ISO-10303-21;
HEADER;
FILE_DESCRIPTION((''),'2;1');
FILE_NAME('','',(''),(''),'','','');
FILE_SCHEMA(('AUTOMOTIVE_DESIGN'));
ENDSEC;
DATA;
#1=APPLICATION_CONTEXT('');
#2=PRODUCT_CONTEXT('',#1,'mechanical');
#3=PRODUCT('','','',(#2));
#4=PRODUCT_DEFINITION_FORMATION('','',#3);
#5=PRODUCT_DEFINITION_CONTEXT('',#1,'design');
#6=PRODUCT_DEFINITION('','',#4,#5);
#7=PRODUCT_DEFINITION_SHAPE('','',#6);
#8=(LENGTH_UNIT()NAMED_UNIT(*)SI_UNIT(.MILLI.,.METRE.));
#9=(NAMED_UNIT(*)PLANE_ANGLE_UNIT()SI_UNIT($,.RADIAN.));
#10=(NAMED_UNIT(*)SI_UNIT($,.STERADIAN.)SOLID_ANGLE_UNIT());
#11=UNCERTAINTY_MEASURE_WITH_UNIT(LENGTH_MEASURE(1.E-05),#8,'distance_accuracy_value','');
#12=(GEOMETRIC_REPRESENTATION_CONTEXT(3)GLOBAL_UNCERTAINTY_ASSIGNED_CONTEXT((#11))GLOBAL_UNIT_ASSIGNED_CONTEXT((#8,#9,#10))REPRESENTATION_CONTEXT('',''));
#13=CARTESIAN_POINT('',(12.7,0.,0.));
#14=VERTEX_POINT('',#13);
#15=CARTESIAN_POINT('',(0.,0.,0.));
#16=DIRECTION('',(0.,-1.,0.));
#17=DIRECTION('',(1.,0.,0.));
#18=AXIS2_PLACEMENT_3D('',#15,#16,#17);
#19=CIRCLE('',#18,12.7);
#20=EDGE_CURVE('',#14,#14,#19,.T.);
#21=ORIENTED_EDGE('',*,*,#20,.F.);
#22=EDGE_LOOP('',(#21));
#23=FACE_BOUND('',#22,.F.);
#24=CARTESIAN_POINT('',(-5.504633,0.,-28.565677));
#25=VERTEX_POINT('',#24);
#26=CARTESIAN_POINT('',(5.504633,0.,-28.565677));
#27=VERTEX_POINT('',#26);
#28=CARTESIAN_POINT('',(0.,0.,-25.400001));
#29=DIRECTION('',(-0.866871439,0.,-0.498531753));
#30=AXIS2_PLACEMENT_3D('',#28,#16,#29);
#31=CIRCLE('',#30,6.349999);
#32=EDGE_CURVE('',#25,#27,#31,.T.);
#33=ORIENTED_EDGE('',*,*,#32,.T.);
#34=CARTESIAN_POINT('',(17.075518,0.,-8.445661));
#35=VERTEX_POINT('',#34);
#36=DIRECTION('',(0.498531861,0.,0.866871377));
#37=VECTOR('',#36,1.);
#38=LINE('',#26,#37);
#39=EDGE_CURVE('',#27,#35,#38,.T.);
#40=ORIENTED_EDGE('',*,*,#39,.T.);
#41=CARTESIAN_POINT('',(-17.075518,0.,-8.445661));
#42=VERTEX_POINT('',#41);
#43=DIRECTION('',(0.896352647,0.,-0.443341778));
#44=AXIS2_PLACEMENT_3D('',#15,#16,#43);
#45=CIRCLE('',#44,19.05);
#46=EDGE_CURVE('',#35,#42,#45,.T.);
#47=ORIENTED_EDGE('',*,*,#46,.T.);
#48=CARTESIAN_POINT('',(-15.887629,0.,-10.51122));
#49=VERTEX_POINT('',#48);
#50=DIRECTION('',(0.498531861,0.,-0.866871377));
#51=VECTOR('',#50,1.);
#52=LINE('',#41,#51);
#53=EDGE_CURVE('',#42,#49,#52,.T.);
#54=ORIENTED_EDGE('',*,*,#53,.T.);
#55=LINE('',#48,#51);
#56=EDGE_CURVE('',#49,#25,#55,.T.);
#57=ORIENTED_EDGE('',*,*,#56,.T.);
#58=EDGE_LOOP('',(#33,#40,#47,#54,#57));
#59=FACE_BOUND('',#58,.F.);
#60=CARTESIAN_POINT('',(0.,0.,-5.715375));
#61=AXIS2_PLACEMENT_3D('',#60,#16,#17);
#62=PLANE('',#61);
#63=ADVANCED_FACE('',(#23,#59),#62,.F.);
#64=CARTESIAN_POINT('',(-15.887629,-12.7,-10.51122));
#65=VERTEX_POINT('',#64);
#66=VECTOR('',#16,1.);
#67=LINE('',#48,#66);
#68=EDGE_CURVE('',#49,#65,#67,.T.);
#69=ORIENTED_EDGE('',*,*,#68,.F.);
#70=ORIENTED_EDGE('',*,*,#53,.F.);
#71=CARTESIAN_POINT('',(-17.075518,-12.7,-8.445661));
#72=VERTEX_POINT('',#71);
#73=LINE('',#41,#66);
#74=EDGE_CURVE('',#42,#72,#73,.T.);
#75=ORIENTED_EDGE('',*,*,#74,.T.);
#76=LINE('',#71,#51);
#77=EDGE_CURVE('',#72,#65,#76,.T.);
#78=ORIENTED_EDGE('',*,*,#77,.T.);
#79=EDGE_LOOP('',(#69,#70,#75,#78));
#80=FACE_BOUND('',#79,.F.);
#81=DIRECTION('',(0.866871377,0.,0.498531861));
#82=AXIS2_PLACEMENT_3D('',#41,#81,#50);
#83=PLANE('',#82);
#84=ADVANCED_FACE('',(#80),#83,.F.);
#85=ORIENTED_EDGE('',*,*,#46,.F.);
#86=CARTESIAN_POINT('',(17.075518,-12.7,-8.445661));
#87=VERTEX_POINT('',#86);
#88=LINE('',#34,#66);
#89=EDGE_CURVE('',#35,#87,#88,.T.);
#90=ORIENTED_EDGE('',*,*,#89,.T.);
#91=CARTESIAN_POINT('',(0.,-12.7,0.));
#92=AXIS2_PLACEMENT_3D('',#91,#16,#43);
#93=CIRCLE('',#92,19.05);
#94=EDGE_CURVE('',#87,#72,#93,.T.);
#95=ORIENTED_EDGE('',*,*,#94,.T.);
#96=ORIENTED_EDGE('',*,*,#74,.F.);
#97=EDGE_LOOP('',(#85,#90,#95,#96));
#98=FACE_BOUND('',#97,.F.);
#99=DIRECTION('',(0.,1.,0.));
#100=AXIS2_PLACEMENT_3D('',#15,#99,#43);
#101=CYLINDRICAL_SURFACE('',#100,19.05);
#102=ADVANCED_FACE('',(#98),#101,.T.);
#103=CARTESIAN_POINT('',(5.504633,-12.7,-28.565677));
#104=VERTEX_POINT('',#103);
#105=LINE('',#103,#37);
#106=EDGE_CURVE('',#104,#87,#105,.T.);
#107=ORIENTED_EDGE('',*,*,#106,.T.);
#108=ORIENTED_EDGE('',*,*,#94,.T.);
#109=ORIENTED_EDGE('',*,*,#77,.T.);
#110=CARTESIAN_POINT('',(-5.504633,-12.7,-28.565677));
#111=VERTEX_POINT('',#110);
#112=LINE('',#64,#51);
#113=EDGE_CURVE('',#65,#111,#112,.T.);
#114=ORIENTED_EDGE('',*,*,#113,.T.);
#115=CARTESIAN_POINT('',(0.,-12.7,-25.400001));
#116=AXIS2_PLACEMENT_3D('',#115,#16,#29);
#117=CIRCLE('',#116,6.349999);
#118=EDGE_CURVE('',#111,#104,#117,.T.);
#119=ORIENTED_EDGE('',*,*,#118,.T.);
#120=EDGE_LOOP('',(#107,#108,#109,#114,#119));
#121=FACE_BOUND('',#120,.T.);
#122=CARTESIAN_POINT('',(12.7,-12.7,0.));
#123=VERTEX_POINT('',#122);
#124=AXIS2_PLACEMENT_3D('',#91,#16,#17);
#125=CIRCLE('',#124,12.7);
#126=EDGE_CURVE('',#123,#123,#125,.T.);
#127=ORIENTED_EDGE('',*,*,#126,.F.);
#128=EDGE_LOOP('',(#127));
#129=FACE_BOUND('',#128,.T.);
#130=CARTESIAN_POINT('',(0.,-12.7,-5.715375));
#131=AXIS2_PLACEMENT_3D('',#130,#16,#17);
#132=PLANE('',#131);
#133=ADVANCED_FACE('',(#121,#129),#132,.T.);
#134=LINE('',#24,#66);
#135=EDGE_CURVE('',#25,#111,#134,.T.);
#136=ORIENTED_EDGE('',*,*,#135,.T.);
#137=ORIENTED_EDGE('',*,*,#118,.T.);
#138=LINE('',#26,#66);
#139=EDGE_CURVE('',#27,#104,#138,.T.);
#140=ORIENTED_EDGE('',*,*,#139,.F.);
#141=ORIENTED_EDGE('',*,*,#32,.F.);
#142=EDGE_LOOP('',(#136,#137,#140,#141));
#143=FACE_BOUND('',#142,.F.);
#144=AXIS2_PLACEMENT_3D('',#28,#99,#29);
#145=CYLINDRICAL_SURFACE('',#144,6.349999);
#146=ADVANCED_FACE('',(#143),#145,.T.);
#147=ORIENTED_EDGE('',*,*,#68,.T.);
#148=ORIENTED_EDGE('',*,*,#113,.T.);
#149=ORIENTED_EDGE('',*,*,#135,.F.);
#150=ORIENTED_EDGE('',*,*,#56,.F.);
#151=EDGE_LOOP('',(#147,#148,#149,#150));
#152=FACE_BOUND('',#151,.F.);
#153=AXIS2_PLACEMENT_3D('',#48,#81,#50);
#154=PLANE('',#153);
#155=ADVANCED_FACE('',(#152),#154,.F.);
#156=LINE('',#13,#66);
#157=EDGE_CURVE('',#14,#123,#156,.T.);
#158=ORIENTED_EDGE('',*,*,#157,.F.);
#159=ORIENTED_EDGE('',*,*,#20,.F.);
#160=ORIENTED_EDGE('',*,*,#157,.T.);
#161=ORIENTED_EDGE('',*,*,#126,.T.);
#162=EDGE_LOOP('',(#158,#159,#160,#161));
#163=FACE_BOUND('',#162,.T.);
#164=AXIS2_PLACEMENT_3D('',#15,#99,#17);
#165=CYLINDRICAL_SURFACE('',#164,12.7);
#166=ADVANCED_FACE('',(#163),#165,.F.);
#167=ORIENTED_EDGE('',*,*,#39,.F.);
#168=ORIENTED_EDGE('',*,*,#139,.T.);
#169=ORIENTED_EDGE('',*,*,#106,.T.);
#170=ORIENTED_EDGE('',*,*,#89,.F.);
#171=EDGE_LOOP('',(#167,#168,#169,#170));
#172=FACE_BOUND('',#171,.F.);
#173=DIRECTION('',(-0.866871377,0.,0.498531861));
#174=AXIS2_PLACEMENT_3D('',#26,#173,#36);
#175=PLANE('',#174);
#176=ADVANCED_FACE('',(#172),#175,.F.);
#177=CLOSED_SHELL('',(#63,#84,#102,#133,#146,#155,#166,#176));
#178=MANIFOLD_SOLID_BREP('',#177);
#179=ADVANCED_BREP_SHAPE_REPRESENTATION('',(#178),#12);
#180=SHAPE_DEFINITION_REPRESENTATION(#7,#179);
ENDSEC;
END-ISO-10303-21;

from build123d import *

# Parameters (mm, degrees)
F0_R     = 12.7
F1_DEPTH = 12.7


with BuildPart() as f1:
    # F0 (on Front) → F1 (new body)
    with BuildSketch(Plane.XZ):
        with BuildLine():
            Line((-15.887629, -10.51122), (-5.504633, -28.565677))
            ThreePointArc((-5.504633, -28.565677), (0, -31.75), (5.504633, -28.565677))
            Line((5.504633, -28.565677), (17.075518, -8.445661))
            ThreePointArc((17.075518, -8.445661), (0, 19.05), (-17.075518, -8.445661))
            Line((-17.075518, -8.445661), (-15.887629, -10.51122))
        make_face()
        Circle(F0_R, mode=Mode.SUBTRACT)
    extrude(amount=F1_DEPTH)


solid = f1.part
